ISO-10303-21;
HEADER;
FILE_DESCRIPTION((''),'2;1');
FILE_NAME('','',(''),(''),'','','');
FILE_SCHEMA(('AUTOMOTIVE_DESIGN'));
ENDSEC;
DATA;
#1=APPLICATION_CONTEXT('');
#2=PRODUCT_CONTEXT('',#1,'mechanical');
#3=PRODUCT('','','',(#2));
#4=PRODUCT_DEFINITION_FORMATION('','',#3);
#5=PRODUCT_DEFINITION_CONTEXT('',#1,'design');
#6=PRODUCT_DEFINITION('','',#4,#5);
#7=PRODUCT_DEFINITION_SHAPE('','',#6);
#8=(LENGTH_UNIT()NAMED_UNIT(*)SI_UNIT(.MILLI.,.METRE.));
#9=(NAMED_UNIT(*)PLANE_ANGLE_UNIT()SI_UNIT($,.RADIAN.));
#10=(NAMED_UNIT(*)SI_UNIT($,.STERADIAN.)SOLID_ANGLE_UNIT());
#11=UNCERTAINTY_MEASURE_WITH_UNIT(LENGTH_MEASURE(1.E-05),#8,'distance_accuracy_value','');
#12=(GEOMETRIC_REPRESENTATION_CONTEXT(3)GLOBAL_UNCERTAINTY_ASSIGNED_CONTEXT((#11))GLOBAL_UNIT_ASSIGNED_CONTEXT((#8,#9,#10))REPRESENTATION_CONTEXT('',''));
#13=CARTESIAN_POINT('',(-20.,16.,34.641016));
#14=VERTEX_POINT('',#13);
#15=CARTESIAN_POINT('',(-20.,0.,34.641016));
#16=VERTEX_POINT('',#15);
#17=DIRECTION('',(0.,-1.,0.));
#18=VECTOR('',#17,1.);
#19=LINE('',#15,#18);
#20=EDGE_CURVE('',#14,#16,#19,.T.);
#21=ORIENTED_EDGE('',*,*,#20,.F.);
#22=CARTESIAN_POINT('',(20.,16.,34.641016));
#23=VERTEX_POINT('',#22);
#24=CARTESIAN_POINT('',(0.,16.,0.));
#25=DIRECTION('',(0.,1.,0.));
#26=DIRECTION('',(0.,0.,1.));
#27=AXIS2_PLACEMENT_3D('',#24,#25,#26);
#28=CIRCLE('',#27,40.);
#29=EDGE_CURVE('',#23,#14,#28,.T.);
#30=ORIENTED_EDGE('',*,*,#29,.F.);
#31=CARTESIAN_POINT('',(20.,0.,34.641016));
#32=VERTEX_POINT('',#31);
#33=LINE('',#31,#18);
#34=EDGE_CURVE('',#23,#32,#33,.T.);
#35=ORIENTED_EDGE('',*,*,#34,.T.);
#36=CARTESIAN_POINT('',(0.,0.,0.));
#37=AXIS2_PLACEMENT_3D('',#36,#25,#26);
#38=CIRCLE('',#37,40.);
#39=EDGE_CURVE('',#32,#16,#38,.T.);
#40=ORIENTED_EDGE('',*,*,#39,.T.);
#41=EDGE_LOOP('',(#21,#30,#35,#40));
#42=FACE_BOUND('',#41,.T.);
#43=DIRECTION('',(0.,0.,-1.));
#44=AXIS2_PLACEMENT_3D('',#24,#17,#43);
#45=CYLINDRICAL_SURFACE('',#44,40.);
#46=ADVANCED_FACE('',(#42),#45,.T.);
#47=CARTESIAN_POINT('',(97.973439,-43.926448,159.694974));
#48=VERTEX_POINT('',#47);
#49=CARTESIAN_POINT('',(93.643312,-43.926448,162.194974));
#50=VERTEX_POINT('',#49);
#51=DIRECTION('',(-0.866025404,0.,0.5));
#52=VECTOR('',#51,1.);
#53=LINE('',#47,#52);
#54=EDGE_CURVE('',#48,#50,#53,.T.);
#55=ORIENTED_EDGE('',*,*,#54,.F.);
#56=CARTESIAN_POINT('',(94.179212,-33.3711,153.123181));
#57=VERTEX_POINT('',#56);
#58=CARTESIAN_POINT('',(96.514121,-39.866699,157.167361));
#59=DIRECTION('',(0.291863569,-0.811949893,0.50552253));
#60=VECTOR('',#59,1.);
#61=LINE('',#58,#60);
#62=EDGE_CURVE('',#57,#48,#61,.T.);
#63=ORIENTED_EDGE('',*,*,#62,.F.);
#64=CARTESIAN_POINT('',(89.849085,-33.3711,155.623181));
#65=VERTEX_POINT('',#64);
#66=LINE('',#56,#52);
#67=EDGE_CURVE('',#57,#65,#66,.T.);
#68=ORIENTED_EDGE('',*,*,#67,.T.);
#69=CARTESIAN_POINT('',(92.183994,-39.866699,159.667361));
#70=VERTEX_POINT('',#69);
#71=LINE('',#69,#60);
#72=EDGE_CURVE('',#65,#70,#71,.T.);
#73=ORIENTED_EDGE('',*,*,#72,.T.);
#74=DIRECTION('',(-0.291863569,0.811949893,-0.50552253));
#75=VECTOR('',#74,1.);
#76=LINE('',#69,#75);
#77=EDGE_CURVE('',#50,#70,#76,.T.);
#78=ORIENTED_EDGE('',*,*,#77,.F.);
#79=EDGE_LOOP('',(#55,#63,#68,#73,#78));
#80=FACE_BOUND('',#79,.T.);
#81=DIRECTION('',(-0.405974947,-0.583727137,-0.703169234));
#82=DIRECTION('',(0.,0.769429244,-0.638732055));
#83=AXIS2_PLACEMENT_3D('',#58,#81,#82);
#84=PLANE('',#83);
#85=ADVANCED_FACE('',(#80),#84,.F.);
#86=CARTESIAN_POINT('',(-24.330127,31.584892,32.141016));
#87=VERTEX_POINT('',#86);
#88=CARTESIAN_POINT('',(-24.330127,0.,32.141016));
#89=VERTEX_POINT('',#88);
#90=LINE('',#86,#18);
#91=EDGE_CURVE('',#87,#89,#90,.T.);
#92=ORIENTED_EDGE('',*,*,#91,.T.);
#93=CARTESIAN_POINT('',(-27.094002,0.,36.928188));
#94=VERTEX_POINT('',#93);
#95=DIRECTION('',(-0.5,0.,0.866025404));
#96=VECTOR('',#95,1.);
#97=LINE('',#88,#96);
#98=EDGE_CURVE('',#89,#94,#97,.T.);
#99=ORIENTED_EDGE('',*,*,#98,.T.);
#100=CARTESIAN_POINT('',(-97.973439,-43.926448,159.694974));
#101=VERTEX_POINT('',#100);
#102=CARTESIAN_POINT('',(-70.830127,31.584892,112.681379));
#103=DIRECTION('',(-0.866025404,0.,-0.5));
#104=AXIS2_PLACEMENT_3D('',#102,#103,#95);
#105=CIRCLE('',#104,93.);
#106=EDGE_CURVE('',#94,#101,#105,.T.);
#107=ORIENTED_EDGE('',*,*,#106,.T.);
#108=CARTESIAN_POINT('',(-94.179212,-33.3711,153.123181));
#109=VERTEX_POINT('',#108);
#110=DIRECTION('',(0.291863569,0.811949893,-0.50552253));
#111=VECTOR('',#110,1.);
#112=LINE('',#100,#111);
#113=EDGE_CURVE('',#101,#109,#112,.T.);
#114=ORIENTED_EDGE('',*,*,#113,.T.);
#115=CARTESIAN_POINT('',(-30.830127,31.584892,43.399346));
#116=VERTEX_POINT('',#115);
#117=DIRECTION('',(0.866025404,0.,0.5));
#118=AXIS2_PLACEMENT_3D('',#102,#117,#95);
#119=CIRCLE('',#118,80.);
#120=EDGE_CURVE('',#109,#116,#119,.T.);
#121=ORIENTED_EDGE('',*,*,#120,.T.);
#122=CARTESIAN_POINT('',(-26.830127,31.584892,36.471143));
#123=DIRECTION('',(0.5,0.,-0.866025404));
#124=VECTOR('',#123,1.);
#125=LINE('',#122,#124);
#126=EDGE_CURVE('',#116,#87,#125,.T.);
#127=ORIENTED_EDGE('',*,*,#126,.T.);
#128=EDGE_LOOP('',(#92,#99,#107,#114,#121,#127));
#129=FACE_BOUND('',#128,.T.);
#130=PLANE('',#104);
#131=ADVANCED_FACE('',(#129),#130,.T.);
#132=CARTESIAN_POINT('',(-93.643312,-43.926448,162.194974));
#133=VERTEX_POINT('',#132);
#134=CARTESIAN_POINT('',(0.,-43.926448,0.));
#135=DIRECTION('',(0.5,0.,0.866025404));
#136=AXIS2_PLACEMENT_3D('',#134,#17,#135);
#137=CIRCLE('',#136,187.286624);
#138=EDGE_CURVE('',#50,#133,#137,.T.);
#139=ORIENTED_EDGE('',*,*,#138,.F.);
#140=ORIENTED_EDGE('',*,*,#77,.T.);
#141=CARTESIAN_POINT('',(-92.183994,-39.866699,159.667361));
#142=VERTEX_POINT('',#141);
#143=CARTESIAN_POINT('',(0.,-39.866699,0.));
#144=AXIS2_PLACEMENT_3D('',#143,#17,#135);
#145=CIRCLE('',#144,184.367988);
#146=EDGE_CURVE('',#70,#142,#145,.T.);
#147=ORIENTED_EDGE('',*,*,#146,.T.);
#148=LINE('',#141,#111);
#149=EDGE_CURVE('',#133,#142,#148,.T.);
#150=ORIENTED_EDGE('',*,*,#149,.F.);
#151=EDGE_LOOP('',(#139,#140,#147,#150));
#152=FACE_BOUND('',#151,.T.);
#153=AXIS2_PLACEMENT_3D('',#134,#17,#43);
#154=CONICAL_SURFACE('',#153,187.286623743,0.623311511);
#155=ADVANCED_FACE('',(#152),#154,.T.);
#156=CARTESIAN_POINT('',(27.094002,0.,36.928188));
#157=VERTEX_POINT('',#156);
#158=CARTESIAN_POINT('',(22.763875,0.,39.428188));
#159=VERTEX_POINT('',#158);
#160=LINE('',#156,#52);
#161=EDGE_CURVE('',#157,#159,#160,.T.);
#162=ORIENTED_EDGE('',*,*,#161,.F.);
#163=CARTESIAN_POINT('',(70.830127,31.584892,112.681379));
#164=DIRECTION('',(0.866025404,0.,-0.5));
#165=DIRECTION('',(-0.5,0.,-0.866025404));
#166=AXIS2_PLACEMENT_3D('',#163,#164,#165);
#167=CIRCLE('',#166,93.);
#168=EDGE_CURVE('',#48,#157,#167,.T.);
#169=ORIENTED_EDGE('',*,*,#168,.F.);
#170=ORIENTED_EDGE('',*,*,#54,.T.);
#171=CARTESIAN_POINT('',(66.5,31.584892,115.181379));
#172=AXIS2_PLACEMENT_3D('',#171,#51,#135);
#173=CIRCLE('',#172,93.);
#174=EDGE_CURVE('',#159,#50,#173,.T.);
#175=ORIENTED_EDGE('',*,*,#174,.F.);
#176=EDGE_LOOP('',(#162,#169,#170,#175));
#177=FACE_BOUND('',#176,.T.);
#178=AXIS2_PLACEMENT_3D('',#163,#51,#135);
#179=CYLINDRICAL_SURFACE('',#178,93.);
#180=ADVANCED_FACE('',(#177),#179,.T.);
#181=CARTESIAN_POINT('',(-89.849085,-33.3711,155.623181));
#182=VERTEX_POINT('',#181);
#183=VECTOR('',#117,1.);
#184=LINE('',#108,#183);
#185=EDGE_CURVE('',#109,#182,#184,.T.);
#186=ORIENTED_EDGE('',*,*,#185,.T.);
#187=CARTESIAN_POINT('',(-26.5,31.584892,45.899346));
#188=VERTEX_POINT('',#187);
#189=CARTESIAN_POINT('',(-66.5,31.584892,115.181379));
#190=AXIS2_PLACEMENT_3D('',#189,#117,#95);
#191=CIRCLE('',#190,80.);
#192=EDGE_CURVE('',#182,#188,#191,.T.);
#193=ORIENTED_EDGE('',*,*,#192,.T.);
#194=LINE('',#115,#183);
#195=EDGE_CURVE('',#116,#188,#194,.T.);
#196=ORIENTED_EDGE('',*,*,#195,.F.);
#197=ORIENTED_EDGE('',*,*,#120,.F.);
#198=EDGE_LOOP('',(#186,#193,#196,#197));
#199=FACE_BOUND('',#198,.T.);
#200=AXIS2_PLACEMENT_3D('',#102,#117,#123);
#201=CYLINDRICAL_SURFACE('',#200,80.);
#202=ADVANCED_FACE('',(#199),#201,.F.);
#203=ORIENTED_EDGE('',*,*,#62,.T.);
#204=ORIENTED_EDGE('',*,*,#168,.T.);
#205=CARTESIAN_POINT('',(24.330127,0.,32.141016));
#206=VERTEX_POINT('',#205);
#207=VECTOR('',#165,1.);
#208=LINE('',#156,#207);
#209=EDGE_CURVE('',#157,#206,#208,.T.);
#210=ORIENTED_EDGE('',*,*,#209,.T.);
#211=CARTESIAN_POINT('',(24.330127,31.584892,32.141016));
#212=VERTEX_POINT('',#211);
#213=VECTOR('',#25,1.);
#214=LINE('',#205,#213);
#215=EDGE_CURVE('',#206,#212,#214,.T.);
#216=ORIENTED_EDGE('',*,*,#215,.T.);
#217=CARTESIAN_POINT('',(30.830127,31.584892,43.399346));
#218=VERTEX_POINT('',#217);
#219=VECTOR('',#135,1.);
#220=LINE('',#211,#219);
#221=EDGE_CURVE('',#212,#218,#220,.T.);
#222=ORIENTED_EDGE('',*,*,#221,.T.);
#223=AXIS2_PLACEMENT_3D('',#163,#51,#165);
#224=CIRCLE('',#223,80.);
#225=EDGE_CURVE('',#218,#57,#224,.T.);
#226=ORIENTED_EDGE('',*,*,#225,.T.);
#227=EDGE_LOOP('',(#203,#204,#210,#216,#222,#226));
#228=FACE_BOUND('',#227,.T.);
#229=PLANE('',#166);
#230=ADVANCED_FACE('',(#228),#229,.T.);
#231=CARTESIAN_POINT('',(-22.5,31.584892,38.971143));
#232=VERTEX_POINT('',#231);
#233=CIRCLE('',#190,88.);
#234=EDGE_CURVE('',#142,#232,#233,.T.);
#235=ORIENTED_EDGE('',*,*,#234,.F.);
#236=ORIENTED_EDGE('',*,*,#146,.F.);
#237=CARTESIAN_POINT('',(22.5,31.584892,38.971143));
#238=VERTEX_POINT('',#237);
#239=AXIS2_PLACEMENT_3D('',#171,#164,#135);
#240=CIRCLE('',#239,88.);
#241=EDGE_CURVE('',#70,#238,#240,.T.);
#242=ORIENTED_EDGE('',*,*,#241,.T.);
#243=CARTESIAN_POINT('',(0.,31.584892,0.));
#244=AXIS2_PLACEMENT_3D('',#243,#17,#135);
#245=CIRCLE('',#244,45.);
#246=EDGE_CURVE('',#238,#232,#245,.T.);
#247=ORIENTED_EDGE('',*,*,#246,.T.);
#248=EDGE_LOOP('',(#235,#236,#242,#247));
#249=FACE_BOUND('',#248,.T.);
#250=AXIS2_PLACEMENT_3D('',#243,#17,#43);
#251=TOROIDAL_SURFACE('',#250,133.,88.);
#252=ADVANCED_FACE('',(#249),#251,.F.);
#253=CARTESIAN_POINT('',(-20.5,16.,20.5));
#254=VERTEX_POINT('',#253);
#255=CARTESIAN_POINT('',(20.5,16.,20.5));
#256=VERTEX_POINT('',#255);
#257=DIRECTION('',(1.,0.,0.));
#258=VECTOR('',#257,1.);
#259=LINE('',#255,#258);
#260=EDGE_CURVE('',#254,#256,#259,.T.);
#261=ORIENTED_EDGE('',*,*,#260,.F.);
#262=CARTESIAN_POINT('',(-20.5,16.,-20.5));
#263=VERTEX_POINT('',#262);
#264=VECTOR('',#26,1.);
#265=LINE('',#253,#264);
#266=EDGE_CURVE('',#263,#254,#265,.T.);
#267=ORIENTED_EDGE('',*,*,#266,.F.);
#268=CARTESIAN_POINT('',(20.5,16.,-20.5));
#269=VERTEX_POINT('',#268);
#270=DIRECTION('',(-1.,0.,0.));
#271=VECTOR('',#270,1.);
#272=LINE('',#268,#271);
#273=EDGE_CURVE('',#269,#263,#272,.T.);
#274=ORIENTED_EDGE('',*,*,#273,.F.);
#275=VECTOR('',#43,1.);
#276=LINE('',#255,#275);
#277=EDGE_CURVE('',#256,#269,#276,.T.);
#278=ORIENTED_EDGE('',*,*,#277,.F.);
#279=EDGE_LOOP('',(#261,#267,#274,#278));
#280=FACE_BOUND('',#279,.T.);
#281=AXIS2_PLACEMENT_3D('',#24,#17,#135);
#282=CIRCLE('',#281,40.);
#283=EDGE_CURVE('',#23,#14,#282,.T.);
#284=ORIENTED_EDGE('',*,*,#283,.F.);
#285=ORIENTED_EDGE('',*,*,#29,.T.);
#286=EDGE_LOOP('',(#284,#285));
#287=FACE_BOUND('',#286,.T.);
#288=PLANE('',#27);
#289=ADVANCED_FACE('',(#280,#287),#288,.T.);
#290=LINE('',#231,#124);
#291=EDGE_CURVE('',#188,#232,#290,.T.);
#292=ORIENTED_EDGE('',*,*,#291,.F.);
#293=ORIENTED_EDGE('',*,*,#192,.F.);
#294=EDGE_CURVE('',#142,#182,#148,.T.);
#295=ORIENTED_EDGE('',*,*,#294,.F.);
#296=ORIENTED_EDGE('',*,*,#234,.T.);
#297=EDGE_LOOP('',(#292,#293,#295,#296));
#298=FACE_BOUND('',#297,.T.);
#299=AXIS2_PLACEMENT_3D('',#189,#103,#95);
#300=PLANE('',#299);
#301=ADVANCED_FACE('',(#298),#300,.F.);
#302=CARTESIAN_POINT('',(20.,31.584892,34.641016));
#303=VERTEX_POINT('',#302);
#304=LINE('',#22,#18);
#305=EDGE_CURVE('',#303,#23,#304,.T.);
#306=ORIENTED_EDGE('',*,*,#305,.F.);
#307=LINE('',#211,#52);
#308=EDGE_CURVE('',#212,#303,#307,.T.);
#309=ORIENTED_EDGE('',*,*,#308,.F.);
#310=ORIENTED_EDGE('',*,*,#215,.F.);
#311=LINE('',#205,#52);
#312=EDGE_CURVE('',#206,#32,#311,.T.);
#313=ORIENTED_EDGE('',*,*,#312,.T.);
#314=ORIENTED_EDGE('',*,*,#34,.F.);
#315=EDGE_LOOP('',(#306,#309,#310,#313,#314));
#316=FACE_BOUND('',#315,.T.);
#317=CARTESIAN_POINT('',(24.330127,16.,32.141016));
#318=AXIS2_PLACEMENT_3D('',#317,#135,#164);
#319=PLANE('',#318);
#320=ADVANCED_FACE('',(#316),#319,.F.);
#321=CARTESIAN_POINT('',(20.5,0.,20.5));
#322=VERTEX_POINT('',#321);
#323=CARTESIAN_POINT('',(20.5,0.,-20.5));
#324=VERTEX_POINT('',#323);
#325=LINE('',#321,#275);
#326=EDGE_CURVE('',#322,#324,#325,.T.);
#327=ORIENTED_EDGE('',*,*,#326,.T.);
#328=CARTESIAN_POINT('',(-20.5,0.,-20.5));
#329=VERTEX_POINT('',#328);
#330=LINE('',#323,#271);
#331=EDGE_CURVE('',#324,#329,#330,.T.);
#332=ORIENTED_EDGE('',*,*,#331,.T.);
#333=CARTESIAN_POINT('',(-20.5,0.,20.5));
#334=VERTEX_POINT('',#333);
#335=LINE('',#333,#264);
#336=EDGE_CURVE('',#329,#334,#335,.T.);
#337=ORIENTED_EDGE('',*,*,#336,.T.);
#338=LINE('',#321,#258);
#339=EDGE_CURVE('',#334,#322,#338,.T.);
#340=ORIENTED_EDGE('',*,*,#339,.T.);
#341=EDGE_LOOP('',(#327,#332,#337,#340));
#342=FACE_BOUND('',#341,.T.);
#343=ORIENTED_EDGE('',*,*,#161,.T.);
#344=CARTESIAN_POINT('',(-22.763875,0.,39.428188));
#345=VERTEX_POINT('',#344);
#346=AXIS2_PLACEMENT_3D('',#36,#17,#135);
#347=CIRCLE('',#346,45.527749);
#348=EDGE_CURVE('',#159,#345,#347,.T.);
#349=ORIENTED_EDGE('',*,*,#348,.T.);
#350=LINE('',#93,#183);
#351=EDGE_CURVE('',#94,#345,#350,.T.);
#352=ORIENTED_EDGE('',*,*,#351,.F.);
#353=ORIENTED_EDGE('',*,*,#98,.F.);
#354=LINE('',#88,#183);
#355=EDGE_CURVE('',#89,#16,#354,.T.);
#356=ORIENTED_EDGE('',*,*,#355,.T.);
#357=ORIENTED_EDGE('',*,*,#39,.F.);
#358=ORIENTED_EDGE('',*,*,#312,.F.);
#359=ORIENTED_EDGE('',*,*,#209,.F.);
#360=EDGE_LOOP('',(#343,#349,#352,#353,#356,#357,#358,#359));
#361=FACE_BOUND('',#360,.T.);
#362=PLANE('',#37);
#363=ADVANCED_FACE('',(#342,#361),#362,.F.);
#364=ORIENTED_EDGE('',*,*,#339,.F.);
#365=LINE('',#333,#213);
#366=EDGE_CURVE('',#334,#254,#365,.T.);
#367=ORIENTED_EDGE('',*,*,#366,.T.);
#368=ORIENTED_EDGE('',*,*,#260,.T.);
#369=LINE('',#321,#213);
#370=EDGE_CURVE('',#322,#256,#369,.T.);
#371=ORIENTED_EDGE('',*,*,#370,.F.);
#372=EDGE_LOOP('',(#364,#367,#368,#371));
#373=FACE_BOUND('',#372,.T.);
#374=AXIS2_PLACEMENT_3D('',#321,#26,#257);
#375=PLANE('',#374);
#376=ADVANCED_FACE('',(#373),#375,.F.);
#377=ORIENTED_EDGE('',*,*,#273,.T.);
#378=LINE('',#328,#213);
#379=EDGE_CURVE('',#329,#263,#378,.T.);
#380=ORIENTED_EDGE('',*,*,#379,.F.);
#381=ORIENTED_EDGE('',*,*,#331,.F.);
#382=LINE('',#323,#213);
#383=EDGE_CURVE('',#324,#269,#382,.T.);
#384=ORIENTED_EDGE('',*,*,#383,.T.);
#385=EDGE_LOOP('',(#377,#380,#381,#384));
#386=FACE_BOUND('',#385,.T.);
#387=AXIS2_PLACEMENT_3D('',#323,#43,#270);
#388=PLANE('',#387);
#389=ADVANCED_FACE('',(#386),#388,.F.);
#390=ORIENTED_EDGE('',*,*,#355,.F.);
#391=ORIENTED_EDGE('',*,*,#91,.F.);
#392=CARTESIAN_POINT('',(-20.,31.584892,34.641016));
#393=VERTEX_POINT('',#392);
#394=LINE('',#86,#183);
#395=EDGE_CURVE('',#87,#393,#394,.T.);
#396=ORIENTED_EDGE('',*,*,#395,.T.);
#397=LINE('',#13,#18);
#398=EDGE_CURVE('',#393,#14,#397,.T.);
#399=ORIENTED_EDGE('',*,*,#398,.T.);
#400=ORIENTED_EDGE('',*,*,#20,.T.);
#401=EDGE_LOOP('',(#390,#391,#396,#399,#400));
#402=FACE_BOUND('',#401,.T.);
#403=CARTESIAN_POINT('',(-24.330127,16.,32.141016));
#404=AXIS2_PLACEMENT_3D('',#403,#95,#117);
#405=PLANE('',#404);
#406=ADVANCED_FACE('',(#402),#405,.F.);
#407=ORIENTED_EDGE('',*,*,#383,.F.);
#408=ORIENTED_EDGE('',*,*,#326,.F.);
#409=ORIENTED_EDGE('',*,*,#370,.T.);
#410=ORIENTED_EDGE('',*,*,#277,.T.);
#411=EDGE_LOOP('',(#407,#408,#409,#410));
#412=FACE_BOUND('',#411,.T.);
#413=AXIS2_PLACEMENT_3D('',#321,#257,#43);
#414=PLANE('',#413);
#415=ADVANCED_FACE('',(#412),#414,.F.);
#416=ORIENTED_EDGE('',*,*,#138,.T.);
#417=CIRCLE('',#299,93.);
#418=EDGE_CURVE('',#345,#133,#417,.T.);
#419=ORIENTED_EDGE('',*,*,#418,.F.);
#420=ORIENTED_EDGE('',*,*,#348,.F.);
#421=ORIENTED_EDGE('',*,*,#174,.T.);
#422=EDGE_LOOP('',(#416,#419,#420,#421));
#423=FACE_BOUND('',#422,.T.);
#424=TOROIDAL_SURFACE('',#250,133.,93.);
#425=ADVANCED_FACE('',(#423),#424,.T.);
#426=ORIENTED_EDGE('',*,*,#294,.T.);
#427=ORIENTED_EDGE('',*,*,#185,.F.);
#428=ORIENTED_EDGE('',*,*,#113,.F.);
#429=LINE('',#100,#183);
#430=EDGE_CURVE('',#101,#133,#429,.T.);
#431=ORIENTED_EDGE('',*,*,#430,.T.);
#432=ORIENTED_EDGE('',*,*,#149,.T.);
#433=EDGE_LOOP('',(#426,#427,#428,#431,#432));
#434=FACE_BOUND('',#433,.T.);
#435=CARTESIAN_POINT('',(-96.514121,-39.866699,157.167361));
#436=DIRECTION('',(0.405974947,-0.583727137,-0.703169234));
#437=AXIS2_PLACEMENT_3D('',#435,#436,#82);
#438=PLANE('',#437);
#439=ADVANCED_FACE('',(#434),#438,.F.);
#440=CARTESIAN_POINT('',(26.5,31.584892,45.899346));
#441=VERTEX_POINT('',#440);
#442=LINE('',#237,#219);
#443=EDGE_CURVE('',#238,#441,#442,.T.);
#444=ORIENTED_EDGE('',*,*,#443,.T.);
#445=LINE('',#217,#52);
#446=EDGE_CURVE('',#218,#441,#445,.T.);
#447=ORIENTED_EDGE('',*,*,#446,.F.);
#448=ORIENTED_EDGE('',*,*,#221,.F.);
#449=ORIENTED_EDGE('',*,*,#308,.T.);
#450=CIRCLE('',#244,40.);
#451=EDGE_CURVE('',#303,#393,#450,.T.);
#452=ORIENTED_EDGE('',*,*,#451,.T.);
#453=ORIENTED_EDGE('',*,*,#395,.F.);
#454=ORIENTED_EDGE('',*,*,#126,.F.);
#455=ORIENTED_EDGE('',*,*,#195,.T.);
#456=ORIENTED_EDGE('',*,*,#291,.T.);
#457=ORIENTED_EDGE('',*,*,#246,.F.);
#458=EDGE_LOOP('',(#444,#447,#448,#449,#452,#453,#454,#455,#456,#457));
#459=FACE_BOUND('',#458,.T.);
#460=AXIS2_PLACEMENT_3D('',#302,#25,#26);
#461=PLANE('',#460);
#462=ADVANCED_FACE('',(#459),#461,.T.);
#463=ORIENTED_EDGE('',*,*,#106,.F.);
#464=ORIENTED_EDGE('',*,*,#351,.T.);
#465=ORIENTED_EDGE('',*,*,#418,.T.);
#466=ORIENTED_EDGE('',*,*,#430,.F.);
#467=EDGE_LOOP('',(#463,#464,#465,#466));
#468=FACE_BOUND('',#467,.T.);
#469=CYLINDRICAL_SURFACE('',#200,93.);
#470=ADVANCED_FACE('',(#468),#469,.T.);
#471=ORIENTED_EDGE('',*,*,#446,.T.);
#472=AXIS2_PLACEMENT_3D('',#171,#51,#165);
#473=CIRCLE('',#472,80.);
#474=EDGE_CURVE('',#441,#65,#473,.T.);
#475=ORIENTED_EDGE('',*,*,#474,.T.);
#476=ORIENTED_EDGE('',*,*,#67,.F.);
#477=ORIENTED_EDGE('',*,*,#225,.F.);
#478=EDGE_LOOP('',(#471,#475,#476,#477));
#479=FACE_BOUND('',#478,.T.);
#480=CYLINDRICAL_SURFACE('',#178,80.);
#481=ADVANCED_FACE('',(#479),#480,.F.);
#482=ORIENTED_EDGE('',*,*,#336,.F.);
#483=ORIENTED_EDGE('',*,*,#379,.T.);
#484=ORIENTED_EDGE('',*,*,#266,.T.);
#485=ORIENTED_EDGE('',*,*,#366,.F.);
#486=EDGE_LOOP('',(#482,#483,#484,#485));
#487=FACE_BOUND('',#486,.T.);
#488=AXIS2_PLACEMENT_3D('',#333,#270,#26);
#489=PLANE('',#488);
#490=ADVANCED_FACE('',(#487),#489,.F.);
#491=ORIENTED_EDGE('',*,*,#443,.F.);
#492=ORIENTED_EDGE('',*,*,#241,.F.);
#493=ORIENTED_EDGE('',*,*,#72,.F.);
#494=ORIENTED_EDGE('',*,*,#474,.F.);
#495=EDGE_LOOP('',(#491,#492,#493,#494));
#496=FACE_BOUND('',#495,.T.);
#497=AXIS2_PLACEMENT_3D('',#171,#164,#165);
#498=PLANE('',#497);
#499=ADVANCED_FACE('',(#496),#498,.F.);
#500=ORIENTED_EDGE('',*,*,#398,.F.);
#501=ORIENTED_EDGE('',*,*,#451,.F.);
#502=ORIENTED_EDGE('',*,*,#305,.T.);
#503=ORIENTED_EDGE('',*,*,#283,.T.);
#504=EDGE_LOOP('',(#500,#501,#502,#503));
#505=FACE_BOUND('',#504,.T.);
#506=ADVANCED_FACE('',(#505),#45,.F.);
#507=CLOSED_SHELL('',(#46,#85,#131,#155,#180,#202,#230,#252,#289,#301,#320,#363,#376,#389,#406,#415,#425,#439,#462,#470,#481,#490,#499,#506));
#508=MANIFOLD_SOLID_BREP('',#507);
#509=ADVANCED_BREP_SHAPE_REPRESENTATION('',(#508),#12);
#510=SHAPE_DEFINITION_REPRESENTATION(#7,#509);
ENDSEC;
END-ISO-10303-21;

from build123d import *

# Parameters (mm, degrees)
SKETCH1_R           = 40
BOSS_EXTRUDE1_DEPTH = 16
SKETCH2_W           = 41
SKETCH2_H           = 41
CUT_EXTRUDE1_DEPTH  = 59.787753827
BOSS_EXTRUDE2_DEPTH = 5
BOSS_EXTRUDE3_DEPTH = 5


with BuildPart() as part:
    # Sketch1 → Boss-Extrude1 (new body)
    with BuildSketch(Plane(origin=(0, 0, 0), x_dir=(1, 0, 0), z_dir=(0, 1, 0))):
        with Locations(Location((0, 0, 0), (0, 0, 270))):
            Circle(SKETCH1_R)
    extrude(amount=BOSS_EXTRUDE1_DEPTH)

    # Sketch2 → Cut-Extrude1 (cut, through all)
    with BuildSketch(Plane(origin=(0, 16, 0), x_dir=(1, 0, 0), z_dir=(0, 1, 0))):
        Rectangle(SKETCH2_W, SKETCH2_H)
    extrude(amount=-CUT_EXTRUDE1_DEPTH, mode=Mode.SUBTRACT)

    # Sweep1: sweep along a path in Sketch10
    with BuildLine(Plane(origin=(0, 16, 0), x_dir=(1, 0, 0), z_dir=(0, 1, 0))) as sweep1_path:
        ThreePointArc((-20, -34.641016151), (0, -40), (20, -34.641016151))
    # Sketch3 → Sweep1 (sweep)
    with BuildSketch(Plane.ZY):
        with BuildLine():
            Line((40, 0), (40, 16))
            Line((40, 16), (40, 31.584891677))
            Line((40, 31.584891677), (45, 31.584891677))
            ThreePointArc((45, 31.584891677), (92.852664778, -46.723418702), (184.367988058, -39.866698948))
            Line((184.367988058, -39.866698948), (187.286623743, -43.926448415))
            ThreePointArc((187.286623743, -43.926448415), (105.473564082, -57.24807138), (45.527749442, 0))
            Line((45.527749442, 0), (40, 0))
        make_face()
    sweep(path=sweep1_path.line)

    # Sketch11 → Boss-Extrude2 (add)
    with BuildSketch(Plane(origin=(0, 0, 0), x_dir=(-0.5000000000000012, 0, -0.8660254037844378), z_dir=(0.8660254037844379, 0, -0.5000000000000013))):
        with BuildLine():
            Line((-184.367988058, -39.866698948), (-179.698170962, -33.3710998))
            ThreePointArc((-179.698170962, -33.3710998), (-96.502422525, -39.604481395), (-53, 31.584891677))
            Line((-53, 31.584891677), (-45, 31.584891677))
            Line((-45, 31.584891677), (-40, 31.584891677))
            Line((-40, 31.584891677), (-40, 16))
            Line((-40, 16), (-40, 0))
            Line((-40, 0), (-45.527749442, 0))
            ThreePointArc((-45.527749442, 0), (-105.473564082, -57.24807138), (-187.286623743, -43.926448415))
            Line((-187.286623743, -43.926448415), (-184.367988058, -39.866698948))
        make_face()
    extrude(amount=BOSS_EXTRUDE2_DEPTH)

    # Sketch12 → Boss-Extrude3 (add)
    with BuildSketch(Plane(origin=(0, 0, 0), x_dir=(-0.5000000000000012, 0, 0.866025403784438), z_dir=(-0.866025403784438, 0, -0.5000000000000012))):
        with BuildLine():
            Line((45, 31.584891677), (53, 31.584891677))
            ThreePointArc((53, 31.584891677), (96.502422525, -39.604481395), (179.698170962, -33.3710998))
            Line((179.698170962, -33.3710998), (184.367988058, -39.866698948))
            Line((184.367988058, -39.866698948), (187.286623743, -43.926448415))
            ThreePointArc((187.286623743, -43.926448415), (105.473564082, -57.24807138), (45.527749442, 0))
            Line((45.527749442, 0), (40, 0))
            Line((40, 0), (40, 16))
            Line((40, 16), (40, 31.584891677))
            Line((40, 31.584891677), (45, 31.584891677))
        make_face()
    extrude(amount=BOSS_EXTRUDE3_DEPTH)


solid = part.part
